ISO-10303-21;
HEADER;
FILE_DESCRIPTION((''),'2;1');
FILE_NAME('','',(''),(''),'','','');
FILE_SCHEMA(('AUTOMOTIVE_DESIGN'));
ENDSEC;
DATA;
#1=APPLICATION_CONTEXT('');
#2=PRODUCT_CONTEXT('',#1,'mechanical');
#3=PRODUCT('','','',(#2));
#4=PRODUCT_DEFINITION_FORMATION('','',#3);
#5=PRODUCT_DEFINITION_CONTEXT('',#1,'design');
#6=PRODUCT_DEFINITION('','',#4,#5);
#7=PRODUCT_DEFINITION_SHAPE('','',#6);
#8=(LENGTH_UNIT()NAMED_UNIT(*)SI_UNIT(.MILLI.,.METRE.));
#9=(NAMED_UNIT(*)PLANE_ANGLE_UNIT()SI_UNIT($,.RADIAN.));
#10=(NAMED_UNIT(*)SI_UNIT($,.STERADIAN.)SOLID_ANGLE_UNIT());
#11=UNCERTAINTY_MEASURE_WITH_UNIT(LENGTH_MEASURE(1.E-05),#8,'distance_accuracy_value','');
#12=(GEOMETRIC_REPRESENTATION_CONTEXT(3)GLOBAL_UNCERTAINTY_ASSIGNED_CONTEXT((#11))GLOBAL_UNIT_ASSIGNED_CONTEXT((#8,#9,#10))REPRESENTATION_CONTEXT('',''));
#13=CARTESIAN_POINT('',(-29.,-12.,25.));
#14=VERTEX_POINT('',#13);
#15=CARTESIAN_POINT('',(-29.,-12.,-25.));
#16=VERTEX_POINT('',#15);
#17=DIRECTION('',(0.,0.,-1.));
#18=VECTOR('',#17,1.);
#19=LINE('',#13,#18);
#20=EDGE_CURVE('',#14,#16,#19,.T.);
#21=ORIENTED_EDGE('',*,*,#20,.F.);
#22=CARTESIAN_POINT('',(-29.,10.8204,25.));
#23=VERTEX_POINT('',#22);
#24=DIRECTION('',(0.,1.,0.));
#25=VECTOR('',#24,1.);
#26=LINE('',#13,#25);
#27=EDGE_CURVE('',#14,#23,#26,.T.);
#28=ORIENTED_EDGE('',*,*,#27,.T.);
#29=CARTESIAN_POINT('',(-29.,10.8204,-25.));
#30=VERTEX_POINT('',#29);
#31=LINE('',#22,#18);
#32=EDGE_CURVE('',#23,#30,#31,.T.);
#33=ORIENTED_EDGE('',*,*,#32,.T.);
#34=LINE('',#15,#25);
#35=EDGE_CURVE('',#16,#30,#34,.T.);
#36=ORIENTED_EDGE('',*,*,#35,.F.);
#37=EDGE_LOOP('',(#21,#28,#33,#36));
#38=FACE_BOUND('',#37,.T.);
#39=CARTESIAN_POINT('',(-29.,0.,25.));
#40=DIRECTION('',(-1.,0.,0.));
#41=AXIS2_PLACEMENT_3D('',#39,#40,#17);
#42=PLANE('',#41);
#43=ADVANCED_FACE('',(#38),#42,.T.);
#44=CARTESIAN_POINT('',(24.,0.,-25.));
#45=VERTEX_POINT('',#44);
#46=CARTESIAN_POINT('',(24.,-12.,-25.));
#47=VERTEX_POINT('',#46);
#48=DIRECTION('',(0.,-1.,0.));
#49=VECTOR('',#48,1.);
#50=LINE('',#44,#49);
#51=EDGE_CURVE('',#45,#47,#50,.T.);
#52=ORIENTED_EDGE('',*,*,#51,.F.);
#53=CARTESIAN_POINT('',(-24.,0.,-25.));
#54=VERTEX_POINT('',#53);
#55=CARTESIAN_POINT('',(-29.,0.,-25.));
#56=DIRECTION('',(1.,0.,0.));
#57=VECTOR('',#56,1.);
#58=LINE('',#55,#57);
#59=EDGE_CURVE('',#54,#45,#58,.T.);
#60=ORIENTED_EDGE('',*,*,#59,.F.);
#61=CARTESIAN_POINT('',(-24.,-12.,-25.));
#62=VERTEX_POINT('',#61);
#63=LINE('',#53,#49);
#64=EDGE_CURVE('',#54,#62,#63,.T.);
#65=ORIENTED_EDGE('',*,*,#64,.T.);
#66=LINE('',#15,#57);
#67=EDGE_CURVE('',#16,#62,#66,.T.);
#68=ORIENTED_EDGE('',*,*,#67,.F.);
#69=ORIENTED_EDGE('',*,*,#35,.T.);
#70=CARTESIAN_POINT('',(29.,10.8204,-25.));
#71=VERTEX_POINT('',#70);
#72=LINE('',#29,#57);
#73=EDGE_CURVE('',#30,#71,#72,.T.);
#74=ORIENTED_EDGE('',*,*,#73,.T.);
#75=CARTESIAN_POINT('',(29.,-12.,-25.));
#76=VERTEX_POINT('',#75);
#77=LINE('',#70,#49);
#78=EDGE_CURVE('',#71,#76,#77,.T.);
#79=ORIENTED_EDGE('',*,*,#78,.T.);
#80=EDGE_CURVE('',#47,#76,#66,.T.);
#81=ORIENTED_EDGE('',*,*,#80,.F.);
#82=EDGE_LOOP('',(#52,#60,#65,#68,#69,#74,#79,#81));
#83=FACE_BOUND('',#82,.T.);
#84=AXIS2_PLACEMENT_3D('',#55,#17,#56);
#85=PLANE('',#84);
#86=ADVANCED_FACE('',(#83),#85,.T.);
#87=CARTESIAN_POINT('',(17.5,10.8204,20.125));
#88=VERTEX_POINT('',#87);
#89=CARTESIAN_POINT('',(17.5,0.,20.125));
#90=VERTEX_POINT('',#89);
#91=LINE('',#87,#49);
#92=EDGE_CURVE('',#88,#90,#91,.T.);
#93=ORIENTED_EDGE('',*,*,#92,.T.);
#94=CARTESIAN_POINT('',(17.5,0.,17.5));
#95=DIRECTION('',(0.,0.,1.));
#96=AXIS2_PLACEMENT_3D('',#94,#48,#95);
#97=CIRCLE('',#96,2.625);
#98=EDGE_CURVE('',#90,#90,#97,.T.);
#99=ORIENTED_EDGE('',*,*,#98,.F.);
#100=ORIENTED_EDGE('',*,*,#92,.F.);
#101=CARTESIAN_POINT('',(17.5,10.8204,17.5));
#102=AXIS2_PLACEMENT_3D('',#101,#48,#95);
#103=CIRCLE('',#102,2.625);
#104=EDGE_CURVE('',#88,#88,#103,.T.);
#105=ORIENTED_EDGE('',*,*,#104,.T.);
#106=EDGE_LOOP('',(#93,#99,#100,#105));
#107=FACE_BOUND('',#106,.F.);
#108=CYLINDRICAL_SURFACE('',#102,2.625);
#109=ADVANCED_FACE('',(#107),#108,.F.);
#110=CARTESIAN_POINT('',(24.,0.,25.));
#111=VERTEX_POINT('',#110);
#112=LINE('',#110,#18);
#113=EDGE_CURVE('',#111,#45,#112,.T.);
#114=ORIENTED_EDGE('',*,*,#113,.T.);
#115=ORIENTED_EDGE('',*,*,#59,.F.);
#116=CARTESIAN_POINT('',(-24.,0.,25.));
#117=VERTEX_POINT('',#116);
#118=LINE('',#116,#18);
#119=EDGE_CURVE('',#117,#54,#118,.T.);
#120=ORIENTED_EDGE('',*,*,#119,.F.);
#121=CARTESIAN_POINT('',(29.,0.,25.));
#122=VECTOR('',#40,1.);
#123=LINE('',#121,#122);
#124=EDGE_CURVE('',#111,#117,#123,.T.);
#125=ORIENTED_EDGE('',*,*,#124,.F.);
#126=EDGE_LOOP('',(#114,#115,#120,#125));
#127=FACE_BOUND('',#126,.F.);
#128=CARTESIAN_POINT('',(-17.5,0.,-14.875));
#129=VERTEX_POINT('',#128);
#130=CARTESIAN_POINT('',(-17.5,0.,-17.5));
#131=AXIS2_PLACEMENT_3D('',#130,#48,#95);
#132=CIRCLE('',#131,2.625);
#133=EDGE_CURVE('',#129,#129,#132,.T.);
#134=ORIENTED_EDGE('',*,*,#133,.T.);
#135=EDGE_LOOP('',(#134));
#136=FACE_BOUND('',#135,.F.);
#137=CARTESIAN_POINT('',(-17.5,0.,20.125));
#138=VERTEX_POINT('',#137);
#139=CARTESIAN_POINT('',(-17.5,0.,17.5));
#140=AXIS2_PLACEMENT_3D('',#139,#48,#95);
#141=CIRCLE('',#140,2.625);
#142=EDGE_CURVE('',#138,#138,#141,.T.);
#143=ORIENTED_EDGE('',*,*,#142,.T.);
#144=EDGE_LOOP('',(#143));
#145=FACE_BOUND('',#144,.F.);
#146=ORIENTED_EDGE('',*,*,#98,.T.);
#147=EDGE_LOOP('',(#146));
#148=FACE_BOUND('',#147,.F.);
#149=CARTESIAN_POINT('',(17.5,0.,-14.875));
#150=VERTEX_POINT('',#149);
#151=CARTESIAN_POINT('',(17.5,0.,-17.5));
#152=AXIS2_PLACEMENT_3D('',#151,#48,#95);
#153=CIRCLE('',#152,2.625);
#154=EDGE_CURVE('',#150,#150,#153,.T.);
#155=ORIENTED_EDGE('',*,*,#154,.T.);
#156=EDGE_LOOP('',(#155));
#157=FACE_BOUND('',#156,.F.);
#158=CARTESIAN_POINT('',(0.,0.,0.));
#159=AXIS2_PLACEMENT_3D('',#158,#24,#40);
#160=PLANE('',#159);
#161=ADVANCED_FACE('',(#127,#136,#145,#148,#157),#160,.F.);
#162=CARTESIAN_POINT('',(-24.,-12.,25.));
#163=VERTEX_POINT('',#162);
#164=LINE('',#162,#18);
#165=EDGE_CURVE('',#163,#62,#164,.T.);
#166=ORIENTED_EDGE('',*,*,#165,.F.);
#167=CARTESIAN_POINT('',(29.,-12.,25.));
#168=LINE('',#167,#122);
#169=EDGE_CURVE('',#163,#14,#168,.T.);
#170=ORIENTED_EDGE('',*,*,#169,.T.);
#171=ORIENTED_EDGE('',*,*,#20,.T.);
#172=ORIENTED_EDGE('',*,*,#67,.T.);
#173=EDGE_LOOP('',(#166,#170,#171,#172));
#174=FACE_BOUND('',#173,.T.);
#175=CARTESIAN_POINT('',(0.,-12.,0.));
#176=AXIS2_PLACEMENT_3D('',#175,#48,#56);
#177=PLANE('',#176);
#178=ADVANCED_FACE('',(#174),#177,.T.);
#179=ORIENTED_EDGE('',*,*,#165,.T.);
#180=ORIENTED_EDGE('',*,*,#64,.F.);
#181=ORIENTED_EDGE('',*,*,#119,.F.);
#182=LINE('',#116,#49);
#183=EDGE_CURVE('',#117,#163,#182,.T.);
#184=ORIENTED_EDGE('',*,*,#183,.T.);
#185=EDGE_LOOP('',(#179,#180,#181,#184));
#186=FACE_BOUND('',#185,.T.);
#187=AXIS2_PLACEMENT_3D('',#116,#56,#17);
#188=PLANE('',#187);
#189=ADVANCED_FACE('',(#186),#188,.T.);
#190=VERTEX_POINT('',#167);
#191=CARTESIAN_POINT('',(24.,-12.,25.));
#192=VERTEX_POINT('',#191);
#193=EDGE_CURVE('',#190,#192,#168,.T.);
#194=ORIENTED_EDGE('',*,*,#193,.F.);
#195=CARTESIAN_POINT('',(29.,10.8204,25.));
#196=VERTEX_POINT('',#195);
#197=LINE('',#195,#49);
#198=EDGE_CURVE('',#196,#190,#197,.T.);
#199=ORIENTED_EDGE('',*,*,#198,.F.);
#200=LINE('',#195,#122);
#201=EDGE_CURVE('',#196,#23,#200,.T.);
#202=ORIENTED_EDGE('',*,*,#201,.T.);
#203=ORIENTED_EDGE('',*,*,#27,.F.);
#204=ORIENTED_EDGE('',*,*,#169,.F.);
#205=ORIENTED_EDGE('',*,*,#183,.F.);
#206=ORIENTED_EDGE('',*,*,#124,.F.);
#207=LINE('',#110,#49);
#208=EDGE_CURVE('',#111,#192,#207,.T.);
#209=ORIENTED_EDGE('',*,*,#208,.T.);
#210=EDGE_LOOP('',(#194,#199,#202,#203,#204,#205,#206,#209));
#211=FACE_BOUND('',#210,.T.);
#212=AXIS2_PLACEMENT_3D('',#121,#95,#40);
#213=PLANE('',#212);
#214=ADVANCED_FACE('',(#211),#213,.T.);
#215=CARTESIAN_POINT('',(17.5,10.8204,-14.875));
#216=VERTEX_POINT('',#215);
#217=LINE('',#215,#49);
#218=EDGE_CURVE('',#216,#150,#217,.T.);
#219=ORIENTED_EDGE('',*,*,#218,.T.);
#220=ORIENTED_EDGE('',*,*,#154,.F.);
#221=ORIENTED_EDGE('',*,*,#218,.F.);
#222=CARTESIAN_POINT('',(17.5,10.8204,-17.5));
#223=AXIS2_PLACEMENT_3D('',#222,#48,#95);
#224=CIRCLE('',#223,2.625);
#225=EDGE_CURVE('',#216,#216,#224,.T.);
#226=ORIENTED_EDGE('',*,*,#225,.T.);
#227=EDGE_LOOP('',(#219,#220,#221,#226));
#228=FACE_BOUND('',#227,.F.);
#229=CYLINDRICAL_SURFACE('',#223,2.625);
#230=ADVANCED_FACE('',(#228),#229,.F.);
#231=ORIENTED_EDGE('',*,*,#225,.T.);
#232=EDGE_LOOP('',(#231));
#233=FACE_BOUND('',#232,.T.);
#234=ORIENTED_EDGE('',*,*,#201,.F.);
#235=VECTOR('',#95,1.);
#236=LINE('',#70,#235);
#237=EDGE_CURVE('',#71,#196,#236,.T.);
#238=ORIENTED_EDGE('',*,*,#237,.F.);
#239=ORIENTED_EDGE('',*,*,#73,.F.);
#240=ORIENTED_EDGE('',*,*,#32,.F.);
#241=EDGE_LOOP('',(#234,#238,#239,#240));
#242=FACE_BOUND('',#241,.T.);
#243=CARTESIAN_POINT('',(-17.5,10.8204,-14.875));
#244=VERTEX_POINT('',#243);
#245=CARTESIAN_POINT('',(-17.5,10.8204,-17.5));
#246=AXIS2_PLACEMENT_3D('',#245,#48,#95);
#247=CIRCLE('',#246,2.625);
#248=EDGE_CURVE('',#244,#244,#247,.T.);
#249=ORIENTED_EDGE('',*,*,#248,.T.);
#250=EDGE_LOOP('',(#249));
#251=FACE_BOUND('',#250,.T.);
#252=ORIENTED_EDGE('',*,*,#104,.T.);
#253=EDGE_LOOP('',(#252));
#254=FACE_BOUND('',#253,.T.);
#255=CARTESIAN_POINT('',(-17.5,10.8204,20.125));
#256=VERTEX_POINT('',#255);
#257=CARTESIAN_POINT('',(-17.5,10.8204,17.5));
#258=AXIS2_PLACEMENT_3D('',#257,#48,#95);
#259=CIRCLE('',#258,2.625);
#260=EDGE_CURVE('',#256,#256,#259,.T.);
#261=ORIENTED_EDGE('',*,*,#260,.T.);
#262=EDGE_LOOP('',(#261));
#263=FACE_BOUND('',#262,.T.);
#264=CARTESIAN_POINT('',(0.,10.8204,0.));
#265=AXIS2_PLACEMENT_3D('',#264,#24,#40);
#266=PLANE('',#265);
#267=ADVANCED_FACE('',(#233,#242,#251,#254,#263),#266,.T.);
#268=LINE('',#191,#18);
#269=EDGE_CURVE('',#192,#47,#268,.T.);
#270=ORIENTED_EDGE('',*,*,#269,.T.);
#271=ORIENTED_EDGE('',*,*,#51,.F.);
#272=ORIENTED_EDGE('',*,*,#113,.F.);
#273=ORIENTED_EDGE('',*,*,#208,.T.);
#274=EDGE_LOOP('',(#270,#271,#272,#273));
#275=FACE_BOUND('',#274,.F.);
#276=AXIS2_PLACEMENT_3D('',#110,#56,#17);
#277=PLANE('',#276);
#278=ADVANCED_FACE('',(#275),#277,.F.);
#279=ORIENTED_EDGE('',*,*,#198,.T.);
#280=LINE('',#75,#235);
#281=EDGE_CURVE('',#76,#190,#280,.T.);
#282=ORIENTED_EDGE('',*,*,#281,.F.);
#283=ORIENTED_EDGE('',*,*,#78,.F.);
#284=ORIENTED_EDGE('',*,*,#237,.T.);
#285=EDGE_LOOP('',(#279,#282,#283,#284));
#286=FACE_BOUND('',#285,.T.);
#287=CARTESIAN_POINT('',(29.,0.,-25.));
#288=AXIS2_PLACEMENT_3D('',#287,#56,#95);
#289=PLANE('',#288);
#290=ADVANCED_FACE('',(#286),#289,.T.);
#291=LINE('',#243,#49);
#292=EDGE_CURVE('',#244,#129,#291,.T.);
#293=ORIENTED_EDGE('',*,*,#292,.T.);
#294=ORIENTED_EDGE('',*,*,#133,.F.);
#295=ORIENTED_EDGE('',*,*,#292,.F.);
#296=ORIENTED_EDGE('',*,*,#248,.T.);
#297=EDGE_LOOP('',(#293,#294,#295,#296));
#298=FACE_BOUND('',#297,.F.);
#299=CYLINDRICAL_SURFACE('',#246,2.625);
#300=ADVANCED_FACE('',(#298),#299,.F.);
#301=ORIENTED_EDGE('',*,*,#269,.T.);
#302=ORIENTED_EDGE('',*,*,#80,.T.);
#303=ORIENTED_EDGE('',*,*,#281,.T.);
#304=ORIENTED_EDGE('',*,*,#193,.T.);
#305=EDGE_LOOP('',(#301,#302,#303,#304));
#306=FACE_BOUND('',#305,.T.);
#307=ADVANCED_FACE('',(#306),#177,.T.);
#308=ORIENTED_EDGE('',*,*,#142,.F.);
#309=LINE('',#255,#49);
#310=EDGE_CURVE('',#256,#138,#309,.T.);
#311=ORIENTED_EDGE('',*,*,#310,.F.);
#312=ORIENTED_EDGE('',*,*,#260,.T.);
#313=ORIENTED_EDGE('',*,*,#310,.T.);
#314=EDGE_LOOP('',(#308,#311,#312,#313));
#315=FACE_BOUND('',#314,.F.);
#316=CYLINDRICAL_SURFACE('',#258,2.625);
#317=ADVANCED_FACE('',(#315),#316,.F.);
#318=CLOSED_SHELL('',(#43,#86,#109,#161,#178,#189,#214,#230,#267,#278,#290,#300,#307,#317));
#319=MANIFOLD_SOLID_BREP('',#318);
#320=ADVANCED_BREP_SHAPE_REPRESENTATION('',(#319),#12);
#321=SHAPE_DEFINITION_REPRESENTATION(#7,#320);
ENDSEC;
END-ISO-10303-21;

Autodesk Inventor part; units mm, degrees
ref_plane "YZ Plane" through (0, 0, 0) normal (1, 0, 0) x (0, 1, 0)
ref_plane "XZ Plane" through (0, 0, 0) normal (0, 1, 0) x (-1, 0, 0)
ref_plane "XY Plane" through (0, 0, 0) normal (0, 0, 1) x (1, 0, 0)
sketch "Sketch1" plane through (0, 0, 0) normal (0, 1, 0) x (-1, 0, 0)
  line L0 (29, -25) -> (-29, -25)
  line L1 (-29, -25) -> (-29, 25)
  line L2 (-29, 25) -> (29, 25)
  line L3 (29, 25) -> (29, -25)
  line L4 (29, -25) -> (-29, 25) construction
  line L5 (-29, -25) -> (29, 25) construction
  point P0 (0, 0)
  dimension "d0" = 58
  dimension "d1" = 50
extrude "Extrusion1" add sketch "Sketch1" along normal blind 10.8204
sketch "Sketch2" plane through (0, 0, 0) normal (0, -1, 0) x (1, 0, 0)
  line L0 (-29, -25) -> (29, -25) projected
  line L1 (29, -25) -> (29, 25) projected
  line L2 (29, 25) -> (-29, 25) projected
  line L3 (-29, 25) -> (-29, -25) projected
  line L4 (-24, 25) -> (-24, -25)
  line L5 (24, 25) -> (24, -25)
  point P0 (0, 0)
  dimension "d4" = 5
  dimension "d5" = 5
extrude "Extrusion2" add sketch "Sketch2" along normal blind 12 contours L3 L2 L4 L0 | L5 L2 L1 L0
sketch "Sketch3" plane through (0, 10.8204, 0) normal (0, 1, 0) x (1, 0, 0)
  line L0 (29, 25) -> (-29, 25) projected
  line L1 (-29, 25) -> (-29, -25) projected
  point P0 (0, 0)
  point P1 (-17.5, 17.5)
  point P2 (17.5, 17.5)
  point P3 (-17.5, -17.5)
  point P4 (17.5, -17.5)
  dimension "d10" = 35
  dimension "d13" = 35
  dimension "d16" = 11.5
  dimension "d17" = 58
  dimension "d18" = 50
  dimension "d19" = 7.5
hole "Hole1" at (-17.5, 10.8204, -17.5) at (17.5, 10.8204, -17.5) at (-17.5, 10.8204, 17.5) at (17.5, 10.8204, 17.5) direction (0, -1, 0) diameter 5.25 end through all
equation "\"d5\" = d4"
equation "\"d16\" = -0.5 * d10 + 0.5 * d17"
equation "\"d19\" = -0.5 * d13 + 0.5 * d18"
properties part number "sbr20uu_standoff"
